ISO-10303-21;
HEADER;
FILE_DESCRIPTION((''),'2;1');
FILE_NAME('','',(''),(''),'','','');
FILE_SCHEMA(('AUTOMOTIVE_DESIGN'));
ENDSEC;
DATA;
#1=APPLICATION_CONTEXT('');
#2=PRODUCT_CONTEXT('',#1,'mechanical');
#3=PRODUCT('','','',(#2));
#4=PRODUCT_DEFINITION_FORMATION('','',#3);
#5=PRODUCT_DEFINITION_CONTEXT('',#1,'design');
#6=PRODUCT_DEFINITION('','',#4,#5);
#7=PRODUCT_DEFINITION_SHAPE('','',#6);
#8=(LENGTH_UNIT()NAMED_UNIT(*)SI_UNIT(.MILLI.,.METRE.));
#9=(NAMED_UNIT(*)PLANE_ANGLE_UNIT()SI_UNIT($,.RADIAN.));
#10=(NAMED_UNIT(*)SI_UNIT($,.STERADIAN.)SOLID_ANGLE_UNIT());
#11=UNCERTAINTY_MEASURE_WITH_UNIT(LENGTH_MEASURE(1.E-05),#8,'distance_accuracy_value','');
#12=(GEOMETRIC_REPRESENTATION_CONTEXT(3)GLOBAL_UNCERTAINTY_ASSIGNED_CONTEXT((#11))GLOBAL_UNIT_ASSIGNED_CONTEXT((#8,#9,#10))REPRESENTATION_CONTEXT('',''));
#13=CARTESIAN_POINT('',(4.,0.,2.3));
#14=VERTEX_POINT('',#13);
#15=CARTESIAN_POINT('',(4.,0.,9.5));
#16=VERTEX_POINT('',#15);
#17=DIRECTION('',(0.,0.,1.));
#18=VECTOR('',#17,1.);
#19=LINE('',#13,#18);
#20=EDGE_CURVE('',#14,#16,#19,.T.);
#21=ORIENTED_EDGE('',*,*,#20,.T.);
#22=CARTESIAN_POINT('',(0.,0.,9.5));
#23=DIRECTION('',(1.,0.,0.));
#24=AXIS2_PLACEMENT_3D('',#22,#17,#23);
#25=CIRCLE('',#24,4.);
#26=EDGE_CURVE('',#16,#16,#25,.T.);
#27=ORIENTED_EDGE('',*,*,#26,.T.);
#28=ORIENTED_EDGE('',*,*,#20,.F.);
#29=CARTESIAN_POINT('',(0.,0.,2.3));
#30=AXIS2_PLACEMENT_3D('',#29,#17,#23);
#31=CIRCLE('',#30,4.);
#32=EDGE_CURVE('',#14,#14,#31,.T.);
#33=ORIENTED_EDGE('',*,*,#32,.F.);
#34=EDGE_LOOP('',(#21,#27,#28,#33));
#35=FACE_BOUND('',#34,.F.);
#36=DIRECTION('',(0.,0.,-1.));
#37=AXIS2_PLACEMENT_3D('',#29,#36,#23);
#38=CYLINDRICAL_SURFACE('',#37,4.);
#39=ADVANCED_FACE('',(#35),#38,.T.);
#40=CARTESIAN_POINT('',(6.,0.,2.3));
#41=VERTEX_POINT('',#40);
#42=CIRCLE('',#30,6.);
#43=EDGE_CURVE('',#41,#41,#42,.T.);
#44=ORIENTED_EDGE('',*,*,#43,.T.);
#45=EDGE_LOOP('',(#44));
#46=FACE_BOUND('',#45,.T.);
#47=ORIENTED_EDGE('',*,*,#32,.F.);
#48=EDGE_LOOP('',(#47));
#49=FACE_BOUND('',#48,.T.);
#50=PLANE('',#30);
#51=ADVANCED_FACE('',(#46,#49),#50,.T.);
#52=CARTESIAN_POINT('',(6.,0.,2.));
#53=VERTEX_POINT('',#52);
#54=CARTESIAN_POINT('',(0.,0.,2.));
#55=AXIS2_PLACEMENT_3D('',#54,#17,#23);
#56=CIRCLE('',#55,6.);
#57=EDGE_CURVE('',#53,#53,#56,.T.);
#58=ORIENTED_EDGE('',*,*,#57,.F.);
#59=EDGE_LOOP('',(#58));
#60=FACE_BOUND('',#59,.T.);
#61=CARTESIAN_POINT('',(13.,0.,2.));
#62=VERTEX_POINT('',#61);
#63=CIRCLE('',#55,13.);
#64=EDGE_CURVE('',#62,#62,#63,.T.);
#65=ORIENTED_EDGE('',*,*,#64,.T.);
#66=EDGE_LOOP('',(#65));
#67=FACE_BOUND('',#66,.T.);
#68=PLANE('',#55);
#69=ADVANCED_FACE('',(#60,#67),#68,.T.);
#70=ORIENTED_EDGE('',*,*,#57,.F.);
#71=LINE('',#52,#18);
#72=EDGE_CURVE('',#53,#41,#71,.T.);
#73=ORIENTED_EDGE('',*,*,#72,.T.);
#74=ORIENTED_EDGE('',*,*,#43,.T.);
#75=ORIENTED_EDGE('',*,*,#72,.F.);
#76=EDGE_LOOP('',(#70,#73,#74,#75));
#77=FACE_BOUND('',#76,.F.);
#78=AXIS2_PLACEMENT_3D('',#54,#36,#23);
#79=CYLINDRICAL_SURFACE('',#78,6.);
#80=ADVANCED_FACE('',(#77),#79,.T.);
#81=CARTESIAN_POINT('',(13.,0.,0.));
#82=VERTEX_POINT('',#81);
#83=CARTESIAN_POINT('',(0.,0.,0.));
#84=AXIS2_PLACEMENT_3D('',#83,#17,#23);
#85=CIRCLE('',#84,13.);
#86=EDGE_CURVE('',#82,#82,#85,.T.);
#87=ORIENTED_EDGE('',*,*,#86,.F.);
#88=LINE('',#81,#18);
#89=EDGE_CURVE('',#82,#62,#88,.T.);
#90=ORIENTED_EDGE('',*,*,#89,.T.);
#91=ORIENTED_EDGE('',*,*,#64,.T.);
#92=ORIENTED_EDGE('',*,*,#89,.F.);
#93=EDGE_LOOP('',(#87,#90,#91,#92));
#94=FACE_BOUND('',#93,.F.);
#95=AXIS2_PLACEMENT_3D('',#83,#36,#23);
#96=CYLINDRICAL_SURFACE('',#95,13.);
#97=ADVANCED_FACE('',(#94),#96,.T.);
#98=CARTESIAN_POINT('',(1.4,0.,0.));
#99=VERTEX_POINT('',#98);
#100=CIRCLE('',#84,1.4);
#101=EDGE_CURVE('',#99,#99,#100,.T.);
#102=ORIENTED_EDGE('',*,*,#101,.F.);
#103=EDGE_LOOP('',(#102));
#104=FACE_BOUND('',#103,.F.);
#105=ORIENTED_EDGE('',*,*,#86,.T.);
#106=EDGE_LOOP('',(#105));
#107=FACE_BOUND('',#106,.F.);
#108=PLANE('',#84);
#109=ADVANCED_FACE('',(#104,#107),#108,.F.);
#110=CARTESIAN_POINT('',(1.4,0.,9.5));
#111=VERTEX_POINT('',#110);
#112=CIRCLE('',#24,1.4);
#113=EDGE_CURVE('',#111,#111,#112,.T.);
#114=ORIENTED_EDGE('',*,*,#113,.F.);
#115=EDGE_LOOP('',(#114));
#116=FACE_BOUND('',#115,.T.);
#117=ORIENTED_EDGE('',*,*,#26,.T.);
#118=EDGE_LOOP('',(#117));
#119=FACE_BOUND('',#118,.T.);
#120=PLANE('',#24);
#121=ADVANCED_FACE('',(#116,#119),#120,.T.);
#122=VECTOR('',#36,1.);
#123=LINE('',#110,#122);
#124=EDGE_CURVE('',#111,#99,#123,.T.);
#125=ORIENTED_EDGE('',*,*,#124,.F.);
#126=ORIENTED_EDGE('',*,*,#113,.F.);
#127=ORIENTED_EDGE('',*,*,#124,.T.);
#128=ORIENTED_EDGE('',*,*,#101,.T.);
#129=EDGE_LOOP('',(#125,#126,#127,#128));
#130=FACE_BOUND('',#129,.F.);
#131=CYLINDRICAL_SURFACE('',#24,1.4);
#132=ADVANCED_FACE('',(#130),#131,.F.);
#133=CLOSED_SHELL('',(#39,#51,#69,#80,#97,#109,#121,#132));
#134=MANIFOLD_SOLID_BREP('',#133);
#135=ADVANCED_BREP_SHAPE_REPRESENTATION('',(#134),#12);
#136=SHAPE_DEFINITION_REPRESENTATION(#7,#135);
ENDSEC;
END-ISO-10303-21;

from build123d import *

# Parameters (mm, degrees)
F0_R     = 13
F1_DEPTH = 2
F2_R     = 6
F3_DEPTH = 0.3
F4_R     = 4
F5_DEPTH = 7.2
F6_R     = 1.4
F7_DEPTH = 9.501


with BuildPart() as f1:
    # F0 (on Top) → F1 (new body)
    with BuildSketch(Plane.XY):
        Circle(F0_R)
    extrude(amount=F1_DEPTH)

    # F2 (on face) → F3 (join)
    with BuildSketch(Plane.XY.offset(2)):
        Circle(F2_R)
    extrude(amount=F3_DEPTH)

    # F4 (on face) → F5 (join)
    with BuildSketch(Plane.XY.offset(2.3)):
        Circle(F4_R)
    extrude(amount=F5_DEPTH)

    # F6 (on face) → F7 (cut, through all)
    with BuildSketch(Plane.XY.offset(9.5)):
        Circle(F6_R)
    extrude(amount=-F7_DEPTH, mode=Mode.SUBTRACT)


solid = f1.part
